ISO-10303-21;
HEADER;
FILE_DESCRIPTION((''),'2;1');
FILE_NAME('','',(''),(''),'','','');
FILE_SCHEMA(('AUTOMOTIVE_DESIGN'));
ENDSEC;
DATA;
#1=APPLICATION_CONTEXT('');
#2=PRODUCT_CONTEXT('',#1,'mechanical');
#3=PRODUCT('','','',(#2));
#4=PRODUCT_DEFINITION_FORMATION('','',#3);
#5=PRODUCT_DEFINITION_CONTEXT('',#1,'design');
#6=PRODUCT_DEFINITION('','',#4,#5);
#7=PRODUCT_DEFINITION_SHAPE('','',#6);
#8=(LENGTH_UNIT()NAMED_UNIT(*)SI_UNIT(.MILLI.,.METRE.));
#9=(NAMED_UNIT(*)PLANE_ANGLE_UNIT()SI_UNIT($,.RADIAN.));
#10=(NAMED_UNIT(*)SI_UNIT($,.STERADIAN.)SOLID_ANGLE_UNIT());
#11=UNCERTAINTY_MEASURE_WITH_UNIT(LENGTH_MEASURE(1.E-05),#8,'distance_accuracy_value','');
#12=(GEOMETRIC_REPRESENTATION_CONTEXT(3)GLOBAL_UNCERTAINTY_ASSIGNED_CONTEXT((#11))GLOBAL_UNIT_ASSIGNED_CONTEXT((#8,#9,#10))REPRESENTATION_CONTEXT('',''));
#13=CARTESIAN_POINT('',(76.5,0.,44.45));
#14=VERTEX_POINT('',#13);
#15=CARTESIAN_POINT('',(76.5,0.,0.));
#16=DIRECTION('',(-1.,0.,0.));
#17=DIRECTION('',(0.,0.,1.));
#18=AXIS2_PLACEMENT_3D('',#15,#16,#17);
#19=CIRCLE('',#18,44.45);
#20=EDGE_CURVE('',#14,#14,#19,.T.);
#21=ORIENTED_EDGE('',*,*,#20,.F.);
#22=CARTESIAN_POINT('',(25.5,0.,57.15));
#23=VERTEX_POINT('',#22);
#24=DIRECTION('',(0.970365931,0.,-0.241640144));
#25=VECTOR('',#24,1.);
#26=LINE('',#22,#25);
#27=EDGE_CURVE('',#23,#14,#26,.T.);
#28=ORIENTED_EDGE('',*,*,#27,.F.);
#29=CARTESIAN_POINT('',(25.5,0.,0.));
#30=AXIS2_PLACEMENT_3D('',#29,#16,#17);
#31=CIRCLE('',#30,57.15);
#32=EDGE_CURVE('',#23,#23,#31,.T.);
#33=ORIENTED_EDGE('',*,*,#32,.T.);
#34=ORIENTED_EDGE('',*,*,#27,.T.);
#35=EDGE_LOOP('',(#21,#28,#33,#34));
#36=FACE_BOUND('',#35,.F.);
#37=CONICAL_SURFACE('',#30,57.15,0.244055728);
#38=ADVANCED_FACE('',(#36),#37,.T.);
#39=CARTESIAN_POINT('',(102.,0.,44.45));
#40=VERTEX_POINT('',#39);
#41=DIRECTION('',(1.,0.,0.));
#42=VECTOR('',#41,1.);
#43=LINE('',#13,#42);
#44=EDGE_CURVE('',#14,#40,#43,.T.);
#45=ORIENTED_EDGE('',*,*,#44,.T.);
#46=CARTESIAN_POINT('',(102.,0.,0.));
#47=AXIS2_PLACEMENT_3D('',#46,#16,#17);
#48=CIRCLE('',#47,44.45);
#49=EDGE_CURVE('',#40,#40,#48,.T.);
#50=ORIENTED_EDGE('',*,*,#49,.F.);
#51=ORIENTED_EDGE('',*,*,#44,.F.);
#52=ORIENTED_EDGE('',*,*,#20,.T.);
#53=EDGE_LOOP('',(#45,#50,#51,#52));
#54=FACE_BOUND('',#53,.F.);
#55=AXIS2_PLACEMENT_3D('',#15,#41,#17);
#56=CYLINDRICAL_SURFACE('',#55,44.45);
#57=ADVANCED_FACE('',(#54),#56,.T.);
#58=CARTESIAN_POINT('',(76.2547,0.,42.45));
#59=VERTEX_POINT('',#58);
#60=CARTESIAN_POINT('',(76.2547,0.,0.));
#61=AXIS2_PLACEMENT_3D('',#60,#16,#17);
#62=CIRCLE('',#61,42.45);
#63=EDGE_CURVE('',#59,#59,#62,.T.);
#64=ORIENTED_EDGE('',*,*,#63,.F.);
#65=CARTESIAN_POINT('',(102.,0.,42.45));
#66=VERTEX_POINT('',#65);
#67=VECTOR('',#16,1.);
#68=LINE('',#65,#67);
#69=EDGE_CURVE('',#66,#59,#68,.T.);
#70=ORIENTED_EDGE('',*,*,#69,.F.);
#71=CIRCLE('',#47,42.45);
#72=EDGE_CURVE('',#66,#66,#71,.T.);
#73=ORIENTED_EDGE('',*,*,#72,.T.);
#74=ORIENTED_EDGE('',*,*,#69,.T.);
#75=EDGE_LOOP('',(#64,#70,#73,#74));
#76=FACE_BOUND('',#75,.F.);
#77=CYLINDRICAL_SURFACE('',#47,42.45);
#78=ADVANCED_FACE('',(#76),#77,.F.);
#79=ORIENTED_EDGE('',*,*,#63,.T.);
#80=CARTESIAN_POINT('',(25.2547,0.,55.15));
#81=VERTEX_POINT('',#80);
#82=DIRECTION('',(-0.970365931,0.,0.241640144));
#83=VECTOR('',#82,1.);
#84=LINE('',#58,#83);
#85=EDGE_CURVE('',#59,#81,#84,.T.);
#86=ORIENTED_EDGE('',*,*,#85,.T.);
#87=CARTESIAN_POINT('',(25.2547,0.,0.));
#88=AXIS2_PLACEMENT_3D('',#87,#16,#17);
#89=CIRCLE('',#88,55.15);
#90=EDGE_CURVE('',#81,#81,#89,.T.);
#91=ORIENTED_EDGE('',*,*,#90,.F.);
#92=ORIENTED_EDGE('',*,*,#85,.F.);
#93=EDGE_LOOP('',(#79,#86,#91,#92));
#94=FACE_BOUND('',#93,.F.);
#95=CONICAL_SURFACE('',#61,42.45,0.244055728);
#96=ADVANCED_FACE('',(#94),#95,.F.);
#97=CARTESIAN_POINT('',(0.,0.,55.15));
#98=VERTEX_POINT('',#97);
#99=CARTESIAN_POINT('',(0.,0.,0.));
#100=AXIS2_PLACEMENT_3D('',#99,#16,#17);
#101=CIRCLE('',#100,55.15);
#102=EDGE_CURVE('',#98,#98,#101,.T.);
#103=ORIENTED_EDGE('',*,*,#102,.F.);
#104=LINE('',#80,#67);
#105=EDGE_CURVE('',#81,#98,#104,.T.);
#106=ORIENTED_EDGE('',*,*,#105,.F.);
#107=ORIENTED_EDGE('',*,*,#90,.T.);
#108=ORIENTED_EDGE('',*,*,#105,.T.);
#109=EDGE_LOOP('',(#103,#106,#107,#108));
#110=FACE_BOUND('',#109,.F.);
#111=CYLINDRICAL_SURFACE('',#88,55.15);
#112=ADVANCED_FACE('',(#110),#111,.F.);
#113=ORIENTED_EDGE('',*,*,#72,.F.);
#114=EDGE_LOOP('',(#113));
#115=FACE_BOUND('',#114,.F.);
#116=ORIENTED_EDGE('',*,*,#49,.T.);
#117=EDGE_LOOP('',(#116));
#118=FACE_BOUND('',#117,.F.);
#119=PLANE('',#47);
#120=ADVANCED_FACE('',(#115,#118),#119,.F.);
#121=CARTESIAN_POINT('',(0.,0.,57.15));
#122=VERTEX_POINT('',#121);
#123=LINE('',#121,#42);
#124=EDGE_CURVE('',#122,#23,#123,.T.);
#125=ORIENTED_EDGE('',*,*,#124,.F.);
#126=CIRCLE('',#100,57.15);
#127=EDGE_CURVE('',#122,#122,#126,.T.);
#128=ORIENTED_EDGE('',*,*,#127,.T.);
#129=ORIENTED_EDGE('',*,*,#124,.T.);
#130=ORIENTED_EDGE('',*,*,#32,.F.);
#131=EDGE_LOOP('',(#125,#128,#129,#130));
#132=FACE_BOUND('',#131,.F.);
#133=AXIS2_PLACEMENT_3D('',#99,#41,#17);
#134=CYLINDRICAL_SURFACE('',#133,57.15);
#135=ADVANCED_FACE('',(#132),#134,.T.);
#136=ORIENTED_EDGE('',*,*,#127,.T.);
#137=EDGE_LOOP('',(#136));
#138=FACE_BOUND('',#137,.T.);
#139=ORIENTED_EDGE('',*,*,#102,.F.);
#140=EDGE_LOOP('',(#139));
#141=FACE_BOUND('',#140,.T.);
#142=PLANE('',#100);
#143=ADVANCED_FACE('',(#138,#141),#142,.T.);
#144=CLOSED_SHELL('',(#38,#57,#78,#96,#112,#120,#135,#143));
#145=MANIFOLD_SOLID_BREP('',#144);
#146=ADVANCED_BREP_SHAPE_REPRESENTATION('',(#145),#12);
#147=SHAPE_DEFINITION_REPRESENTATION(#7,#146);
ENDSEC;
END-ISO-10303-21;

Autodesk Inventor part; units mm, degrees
ref_plane "YZ Plane" through (0, 0, 0) normal (1, 0, 0) x (0, 1, 0)
ref_plane "XZ Plane" through (0, 0, 0) normal (0, 1, 0) x (-1, 0, 0)
ref_plane "XY Plane" through (0, 0, 0) normal (0, 0, 1) x (1, 0, 0)
sketch "Sketch1" plane through (0, 0, 0) normal (0, 1, 0) x (-1, 0, 0)
  line L0 (0, 57.15) -> (-25.5, 57.15)
  line L1 (-25.5, 57.15) -> (-76.5, 44.45)
  line L2 (-76.5, 44.45) -> (-102, 44.45)
  line L3 (-102, 0) -> (0, 0)
  line L4 (-102, 42.45) -> (-76.2547, 42.45)
  line L5 (-76.2547, 42.45) -> (-25.2547, 55.15)
  line L6 (-25.2547, 55.15) -> (0, 55.15)
  line L7 (-102, 0) -> (-102, 42.45) construction
  line L8 (-102, 44.45) -> (-102, 42.45)
  line L9 (0, 57.15) -> (0, 55.15)
  line L10 (0, 0) -> (0, 55.15) construction
  dimension "d0" = 114.3
  dimension "d1" = 88.9
  dimension "d2" = 2
  dimension "d3" = 2
  dimension "d4" = 102
  dimension "d5" = 25.5
  dimension "d6" = 25.5
  dimension "d7" = 2
revolve "Revolution1" add sketch "Sketch1" angle 360 about axis through (102, 0, 0) along (-1, 0, 0)
equation "\"d0\" = D"
equation "\"d1\" = D1"
equation "\"d2\" = T"
equation "\"d3\" = T1"
equation "\"d4\" = L"
equation "\"d5\" = 0.25 * L"
equation "\"d6\" = 0.25 * L"
equation "\"d7\" = T"
equation "\"T\" = 2"
equation "\"D\" = 114.3"
equation "\"D1\" = 88.9"
equation "\"L\" = 102"
equation "\"T1\" = 2"
equation "\"Size_Designation\" = 1.2345"
properties part number "ISO 5251 Concentric reducers DN100 x DN80 2" material "Stainless Steel"
